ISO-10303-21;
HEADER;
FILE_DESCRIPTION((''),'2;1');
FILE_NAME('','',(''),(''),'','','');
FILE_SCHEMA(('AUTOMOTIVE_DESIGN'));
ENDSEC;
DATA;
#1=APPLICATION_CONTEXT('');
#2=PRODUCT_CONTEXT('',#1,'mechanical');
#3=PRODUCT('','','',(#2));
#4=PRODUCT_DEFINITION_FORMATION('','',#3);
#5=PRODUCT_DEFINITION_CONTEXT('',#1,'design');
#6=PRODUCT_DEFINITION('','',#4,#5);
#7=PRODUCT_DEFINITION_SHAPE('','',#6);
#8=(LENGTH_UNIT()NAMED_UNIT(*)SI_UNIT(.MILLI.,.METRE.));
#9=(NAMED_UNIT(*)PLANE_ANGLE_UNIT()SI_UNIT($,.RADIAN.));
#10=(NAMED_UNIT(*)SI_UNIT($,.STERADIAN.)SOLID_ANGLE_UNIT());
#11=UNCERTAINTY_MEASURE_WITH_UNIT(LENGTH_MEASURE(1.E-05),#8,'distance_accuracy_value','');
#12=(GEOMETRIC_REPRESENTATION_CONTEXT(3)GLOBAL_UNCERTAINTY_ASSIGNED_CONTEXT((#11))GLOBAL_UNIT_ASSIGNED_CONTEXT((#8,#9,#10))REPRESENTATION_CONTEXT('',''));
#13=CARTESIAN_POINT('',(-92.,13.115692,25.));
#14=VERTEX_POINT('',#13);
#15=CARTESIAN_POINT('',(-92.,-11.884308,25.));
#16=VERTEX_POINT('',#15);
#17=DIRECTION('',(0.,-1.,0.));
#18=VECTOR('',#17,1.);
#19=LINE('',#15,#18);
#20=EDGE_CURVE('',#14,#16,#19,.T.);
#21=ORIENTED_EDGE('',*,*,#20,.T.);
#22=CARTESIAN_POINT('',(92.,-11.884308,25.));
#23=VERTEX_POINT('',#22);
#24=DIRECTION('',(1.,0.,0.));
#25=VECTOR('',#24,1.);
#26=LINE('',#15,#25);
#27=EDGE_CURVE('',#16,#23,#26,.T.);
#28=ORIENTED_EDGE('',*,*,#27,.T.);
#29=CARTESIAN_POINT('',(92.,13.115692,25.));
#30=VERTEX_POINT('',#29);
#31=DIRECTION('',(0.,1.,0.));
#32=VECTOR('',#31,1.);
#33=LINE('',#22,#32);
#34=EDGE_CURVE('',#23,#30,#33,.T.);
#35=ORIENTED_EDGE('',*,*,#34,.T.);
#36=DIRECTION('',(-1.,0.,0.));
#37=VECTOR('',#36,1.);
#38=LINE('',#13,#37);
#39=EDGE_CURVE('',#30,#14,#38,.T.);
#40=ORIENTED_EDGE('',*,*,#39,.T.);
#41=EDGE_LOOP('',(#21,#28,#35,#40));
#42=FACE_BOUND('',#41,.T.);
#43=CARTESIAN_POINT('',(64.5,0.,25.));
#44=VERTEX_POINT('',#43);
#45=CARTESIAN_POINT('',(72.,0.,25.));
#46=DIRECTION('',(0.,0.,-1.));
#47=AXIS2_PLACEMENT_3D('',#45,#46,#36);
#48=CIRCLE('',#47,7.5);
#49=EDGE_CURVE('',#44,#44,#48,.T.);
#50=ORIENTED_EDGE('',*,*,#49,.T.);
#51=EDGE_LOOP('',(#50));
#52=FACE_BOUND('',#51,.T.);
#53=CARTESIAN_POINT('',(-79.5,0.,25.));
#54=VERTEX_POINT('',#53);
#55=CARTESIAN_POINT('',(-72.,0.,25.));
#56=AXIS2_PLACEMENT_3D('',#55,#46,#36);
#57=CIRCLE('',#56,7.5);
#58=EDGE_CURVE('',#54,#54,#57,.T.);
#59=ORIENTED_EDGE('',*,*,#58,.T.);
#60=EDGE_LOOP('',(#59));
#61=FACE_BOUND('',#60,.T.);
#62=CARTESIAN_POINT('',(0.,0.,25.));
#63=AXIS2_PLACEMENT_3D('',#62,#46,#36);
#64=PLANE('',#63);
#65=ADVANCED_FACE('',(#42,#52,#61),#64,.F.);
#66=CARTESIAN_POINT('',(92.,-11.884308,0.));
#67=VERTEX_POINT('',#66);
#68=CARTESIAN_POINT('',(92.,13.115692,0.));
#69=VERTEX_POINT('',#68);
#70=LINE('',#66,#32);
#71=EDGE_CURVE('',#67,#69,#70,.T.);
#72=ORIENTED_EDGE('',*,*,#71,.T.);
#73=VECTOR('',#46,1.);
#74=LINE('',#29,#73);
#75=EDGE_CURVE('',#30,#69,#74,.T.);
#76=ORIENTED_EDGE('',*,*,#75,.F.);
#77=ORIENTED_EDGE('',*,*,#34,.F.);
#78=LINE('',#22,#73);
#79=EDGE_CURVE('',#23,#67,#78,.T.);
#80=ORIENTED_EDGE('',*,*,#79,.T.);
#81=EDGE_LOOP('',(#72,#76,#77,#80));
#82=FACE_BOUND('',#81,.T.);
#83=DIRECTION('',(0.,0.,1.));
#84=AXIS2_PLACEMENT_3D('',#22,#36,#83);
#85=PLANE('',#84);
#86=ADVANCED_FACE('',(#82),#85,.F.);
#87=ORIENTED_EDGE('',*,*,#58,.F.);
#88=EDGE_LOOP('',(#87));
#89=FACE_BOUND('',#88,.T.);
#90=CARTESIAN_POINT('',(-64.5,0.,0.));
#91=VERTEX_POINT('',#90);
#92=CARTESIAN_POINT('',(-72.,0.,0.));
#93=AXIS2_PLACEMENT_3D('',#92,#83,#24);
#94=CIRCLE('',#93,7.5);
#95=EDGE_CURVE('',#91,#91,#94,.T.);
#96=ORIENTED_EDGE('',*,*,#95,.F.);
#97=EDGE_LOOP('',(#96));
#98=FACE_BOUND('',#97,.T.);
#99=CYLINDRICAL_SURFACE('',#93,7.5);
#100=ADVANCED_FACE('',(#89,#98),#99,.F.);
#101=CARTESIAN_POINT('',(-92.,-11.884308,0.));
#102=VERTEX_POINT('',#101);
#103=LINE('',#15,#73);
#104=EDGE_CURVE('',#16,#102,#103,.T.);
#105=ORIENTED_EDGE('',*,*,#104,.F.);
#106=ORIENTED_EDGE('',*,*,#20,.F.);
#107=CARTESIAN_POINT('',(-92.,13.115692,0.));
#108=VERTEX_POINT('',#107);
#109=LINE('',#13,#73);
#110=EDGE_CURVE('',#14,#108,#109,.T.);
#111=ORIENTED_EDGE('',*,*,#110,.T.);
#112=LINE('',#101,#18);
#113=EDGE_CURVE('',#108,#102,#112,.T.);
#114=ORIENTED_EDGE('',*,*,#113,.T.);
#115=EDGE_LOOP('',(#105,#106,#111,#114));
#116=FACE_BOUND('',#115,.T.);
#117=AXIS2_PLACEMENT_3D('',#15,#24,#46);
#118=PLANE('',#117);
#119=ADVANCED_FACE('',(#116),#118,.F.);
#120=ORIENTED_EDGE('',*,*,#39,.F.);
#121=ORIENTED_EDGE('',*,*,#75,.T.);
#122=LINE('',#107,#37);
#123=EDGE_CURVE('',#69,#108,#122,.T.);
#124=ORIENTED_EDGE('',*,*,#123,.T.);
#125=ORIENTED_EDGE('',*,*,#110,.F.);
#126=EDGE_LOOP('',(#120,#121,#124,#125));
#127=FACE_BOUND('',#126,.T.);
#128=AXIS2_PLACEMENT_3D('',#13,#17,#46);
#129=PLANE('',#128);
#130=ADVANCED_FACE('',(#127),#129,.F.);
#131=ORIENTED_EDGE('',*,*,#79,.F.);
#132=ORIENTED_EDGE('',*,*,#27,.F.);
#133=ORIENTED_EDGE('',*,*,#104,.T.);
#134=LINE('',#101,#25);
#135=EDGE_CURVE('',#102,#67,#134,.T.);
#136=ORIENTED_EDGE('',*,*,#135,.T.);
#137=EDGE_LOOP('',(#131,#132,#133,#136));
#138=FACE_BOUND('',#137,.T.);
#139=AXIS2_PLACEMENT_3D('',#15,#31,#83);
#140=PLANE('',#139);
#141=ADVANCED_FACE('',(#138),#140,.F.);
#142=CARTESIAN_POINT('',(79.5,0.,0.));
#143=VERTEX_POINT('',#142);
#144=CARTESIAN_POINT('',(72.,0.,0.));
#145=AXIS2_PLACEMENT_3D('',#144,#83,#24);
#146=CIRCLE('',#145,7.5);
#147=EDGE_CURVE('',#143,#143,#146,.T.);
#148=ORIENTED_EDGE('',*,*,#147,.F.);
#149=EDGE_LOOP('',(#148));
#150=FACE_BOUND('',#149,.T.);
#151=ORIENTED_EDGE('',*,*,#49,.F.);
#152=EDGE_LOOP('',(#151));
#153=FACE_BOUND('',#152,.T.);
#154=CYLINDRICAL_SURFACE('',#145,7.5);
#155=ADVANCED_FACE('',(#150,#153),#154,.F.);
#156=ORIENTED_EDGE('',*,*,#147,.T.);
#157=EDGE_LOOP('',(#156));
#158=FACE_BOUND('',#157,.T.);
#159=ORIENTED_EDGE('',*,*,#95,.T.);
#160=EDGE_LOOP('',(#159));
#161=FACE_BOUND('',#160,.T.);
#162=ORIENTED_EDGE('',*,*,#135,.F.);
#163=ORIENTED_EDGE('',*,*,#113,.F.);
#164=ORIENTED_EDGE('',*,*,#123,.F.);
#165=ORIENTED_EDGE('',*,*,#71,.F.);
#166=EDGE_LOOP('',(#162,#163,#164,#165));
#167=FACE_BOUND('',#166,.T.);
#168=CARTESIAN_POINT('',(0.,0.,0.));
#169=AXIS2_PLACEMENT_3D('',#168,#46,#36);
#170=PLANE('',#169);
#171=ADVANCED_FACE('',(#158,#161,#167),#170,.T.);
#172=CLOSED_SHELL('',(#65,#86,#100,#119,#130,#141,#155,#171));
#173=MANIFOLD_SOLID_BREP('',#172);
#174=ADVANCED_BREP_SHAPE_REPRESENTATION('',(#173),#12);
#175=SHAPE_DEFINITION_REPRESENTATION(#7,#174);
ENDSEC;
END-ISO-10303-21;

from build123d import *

# Parameters (mm, degrees)
SKETCH1_W               = 184
SKETCH1_H               = 25
BOSS_EXTRUDE1_DEPTH     = 25
CUT_EXTRUDE1_DEPTH      = 97.234200727
CUT_EXTRUDE1_DEPTH_BACK = 97.234200727
SKETCH2_R               = 7.5


with BuildPart() as part:
    # Sketch1 → Boss-Extrude1 (new body)
    with BuildSketch(Plane.XY):
        with Locations((0, 0.615692496)):
            Rectangle(SKETCH1_W, SKETCH1_H)
    extrude(amount=BOSS_EXTRUDE1_DEPTH)

    # Sketch2 → Cut-Extrude1 (cut, two sides: drawn at the far end of the back side and taken through both)
    with BuildSketch(Plane.XY.offset(25).offset(-CUT_EXTRUDE1_DEPTH_BACK)):
        with Locations((-72, 0)):
            Circle(SKETCH2_R)
        with Locations((72, 0)):
            Circle(SKETCH2_R)
    extrude(amount=CUT_EXTRUDE1_DEPTH + CUT_EXTRUDE1_DEPTH_BACK, mode=Mode.SUBTRACT)


solid = part.part
